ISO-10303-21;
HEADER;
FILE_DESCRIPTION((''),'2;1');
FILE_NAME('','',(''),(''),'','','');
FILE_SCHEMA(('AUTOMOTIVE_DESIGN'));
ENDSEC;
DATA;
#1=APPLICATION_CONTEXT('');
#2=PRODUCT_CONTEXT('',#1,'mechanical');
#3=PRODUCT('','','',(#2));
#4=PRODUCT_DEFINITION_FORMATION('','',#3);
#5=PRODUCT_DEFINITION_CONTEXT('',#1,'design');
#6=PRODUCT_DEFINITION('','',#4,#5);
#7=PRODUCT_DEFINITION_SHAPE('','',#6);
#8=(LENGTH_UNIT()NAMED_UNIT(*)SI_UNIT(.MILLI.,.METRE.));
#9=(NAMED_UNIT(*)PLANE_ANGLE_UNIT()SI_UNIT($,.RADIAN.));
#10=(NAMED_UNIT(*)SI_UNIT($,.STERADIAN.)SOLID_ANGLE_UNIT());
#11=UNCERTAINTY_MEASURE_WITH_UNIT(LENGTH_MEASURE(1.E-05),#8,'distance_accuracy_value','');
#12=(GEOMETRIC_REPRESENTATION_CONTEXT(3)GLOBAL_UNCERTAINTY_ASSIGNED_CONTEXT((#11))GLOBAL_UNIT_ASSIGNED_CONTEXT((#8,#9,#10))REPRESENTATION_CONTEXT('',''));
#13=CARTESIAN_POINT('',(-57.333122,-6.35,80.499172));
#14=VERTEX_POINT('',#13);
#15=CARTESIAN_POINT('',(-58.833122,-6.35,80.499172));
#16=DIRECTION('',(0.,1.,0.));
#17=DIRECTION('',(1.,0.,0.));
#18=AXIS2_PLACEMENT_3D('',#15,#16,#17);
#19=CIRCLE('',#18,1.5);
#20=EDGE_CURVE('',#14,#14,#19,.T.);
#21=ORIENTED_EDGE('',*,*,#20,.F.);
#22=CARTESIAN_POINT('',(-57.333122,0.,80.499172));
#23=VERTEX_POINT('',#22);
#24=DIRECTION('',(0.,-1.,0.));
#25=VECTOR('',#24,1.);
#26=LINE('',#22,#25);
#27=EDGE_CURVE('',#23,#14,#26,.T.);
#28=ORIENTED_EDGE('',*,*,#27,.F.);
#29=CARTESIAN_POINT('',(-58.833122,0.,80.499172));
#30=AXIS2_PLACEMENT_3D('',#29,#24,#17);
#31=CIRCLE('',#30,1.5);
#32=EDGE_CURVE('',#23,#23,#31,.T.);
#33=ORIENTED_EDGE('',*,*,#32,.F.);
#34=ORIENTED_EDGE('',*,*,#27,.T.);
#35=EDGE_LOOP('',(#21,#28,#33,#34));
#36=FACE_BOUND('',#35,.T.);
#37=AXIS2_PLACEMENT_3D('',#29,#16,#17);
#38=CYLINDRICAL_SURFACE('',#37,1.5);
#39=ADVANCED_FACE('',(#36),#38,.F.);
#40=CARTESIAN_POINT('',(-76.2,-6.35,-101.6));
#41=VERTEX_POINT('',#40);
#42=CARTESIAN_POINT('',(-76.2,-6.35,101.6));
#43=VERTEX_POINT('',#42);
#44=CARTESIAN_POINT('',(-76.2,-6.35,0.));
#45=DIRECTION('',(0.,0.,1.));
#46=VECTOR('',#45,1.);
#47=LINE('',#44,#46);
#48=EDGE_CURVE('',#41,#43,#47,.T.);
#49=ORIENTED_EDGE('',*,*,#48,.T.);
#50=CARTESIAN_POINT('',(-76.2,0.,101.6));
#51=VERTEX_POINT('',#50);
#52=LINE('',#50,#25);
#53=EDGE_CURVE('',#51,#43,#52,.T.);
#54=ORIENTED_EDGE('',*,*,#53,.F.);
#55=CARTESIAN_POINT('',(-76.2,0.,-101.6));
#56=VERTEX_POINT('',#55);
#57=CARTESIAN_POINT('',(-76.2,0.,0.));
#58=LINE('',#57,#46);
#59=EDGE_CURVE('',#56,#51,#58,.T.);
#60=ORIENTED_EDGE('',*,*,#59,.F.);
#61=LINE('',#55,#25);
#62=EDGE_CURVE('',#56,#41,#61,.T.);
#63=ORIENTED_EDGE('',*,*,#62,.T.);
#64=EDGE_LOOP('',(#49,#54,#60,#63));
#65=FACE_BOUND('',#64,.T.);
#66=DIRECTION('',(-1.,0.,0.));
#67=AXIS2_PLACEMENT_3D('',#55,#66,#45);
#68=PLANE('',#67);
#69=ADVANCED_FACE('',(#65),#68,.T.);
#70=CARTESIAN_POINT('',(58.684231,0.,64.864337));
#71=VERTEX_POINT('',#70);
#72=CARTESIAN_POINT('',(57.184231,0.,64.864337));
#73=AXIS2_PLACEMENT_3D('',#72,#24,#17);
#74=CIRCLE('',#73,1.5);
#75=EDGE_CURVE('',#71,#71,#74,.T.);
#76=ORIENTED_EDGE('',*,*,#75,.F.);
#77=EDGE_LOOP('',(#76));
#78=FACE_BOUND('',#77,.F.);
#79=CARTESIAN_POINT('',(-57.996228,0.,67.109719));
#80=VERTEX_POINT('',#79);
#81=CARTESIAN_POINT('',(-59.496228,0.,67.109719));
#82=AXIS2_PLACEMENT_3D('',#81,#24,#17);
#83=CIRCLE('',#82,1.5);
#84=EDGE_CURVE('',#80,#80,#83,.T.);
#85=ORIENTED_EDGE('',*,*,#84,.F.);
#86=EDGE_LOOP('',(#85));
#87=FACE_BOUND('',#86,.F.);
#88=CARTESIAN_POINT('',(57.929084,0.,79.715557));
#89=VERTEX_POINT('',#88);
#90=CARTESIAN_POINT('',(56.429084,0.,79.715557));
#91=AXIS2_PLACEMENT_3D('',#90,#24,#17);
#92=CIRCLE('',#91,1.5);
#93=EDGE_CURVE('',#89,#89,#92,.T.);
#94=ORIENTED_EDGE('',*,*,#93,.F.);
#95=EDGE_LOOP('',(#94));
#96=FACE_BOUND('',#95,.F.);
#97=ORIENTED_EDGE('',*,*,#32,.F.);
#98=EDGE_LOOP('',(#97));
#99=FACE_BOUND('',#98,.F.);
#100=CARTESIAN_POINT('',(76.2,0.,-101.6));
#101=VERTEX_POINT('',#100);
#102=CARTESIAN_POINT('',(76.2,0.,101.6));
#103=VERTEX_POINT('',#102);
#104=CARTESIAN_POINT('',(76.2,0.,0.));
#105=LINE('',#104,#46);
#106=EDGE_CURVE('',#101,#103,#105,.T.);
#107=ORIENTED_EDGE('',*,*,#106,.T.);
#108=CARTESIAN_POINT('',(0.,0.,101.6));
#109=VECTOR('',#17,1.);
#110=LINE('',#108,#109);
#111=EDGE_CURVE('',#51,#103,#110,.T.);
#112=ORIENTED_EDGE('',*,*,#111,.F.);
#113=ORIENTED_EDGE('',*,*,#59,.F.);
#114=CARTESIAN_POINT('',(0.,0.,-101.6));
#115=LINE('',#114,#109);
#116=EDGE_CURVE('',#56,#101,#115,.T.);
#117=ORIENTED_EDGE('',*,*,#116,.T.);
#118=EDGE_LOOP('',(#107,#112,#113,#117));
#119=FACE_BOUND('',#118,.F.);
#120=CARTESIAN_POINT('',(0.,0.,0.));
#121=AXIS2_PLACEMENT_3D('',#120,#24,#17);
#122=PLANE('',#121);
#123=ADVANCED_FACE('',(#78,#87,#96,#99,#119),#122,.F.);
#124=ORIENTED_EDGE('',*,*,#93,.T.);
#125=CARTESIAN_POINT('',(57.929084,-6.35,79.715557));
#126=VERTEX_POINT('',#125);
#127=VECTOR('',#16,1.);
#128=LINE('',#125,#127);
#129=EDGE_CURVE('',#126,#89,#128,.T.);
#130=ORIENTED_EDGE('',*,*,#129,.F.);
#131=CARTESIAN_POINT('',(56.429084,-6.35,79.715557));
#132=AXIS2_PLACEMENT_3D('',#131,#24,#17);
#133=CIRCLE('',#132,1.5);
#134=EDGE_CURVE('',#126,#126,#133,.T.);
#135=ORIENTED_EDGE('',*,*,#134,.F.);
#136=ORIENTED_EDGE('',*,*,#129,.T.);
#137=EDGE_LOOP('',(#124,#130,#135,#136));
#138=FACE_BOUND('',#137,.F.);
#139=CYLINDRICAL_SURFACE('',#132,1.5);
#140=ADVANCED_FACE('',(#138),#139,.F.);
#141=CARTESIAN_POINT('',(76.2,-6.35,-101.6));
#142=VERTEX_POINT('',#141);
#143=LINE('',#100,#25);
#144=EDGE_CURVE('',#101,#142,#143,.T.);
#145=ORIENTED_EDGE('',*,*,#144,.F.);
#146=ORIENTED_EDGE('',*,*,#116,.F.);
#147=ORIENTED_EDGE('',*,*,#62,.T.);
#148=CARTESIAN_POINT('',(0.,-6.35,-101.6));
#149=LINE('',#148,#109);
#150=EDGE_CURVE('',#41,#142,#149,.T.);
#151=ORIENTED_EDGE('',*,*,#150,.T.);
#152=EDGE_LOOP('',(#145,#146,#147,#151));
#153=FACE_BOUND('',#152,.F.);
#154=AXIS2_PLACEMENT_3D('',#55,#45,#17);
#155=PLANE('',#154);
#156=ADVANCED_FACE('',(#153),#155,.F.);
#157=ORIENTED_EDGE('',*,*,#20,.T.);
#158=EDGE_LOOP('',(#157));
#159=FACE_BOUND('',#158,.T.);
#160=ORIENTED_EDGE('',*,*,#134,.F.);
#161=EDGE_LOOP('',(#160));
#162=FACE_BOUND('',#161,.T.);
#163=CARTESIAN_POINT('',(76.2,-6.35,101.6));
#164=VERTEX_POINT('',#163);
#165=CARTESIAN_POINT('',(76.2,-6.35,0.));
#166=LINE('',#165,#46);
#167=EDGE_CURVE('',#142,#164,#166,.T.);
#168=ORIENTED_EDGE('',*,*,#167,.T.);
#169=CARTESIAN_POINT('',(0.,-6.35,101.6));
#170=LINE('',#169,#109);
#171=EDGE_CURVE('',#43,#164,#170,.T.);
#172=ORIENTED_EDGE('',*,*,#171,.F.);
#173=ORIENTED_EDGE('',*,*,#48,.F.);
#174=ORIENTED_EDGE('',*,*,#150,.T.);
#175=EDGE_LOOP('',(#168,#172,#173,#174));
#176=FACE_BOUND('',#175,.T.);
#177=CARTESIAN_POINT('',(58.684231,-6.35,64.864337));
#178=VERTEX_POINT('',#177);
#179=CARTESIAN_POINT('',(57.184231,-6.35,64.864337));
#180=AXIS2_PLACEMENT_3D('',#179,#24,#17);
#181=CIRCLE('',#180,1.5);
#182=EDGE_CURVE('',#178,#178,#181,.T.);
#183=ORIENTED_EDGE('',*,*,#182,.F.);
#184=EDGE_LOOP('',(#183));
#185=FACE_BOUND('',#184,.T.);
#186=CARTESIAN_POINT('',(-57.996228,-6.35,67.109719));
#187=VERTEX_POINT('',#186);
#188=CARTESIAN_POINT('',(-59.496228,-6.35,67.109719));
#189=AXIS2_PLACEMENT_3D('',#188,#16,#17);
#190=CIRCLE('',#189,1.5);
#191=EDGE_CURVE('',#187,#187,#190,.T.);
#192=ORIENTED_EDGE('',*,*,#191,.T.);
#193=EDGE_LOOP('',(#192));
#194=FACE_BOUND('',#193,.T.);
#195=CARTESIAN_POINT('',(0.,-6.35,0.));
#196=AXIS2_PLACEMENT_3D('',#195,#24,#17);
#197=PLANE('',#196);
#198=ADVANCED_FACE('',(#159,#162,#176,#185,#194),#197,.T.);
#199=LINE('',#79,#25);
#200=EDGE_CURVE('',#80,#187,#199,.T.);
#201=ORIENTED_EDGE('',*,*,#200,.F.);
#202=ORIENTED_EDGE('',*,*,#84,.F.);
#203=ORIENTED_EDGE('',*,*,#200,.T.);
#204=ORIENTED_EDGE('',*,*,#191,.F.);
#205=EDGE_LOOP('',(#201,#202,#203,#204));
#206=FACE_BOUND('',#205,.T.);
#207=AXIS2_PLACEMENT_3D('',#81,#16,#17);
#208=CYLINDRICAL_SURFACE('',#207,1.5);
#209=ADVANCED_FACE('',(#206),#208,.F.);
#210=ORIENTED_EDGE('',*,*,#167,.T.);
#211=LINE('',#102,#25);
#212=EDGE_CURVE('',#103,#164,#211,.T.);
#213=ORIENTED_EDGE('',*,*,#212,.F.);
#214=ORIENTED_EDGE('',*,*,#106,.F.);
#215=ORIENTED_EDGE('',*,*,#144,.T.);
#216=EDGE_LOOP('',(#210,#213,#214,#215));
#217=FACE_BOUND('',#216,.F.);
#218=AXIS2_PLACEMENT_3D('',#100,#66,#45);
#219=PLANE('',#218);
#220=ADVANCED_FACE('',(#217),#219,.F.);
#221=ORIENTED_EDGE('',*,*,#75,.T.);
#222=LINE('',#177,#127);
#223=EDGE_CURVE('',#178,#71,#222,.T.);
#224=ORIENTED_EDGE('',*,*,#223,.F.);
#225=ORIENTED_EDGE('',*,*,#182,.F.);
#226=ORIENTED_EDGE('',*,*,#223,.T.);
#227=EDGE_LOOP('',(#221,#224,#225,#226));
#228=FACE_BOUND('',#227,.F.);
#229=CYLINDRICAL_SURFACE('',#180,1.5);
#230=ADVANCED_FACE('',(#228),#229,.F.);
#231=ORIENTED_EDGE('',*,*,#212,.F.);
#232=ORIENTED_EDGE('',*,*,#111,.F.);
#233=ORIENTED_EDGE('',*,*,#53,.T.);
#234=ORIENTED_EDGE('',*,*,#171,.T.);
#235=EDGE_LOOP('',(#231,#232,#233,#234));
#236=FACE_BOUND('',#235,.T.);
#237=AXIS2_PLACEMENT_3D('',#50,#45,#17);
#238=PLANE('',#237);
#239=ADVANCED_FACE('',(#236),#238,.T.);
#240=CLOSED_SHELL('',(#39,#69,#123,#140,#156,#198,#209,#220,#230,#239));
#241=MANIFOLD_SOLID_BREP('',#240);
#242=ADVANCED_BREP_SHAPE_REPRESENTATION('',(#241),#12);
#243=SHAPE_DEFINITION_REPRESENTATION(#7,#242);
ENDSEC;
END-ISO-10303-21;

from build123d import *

# Parameters (mm, degrees)
F0_W     = 152.4
F0_H     = 203.2
F1_DEPTH = 6.35
F2_R     = 1.5
F3_R     = 1.5
F4_DEPTH = 14.2
F5_R     = 1.5
F6_DEPTH = 25
F7_R     = 1.5
F8_DEPTH = 25


with BuildPart() as f1:
    # F0 (on Front) → F1 (new body)
    with BuildSketch(Plane.XZ):
        Rectangle(F0_W, F0_H)
    extrude(amount=F1_DEPTH)

    # F2 (on Front) + F3 (on Front) → F4 (cut)
    with BuildSketch(Plane.XZ):
        with Locations((-58.833122, 80.499172)):
            Circle(F2_R)
    with BuildSketch(Plane.XZ):
        with Locations((-59.496228, 67.109719)):
            Circle(F3_R)
    extrude(amount=F4_DEPTH, mode=Mode.SUBTRACT)

    # F5 (on Front) → F6 (cut)
    with BuildSketch(Plane.XZ):
        with Locations((57.177279, 77.691041)):
            Circle(F5_R)
        with Locations((57.177279, 64.519793)):
            Circle(F5_R)
    extrude(amount=-F6_DEPTH, mode=Mode.SUBTRACT)

    # F7 (on face) → F8 (cut)
    with BuildSketch(Plane.XZ.offset(6.35)):
        with Locations((56.429084, 79.715557)):
            Circle(F7_R)
        with Locations((57.184231, 64.864337)):
            Circle(F7_R)
    extrude(amount=-F8_DEPTH, mode=Mode.SUBTRACT)


solid = f1.part
